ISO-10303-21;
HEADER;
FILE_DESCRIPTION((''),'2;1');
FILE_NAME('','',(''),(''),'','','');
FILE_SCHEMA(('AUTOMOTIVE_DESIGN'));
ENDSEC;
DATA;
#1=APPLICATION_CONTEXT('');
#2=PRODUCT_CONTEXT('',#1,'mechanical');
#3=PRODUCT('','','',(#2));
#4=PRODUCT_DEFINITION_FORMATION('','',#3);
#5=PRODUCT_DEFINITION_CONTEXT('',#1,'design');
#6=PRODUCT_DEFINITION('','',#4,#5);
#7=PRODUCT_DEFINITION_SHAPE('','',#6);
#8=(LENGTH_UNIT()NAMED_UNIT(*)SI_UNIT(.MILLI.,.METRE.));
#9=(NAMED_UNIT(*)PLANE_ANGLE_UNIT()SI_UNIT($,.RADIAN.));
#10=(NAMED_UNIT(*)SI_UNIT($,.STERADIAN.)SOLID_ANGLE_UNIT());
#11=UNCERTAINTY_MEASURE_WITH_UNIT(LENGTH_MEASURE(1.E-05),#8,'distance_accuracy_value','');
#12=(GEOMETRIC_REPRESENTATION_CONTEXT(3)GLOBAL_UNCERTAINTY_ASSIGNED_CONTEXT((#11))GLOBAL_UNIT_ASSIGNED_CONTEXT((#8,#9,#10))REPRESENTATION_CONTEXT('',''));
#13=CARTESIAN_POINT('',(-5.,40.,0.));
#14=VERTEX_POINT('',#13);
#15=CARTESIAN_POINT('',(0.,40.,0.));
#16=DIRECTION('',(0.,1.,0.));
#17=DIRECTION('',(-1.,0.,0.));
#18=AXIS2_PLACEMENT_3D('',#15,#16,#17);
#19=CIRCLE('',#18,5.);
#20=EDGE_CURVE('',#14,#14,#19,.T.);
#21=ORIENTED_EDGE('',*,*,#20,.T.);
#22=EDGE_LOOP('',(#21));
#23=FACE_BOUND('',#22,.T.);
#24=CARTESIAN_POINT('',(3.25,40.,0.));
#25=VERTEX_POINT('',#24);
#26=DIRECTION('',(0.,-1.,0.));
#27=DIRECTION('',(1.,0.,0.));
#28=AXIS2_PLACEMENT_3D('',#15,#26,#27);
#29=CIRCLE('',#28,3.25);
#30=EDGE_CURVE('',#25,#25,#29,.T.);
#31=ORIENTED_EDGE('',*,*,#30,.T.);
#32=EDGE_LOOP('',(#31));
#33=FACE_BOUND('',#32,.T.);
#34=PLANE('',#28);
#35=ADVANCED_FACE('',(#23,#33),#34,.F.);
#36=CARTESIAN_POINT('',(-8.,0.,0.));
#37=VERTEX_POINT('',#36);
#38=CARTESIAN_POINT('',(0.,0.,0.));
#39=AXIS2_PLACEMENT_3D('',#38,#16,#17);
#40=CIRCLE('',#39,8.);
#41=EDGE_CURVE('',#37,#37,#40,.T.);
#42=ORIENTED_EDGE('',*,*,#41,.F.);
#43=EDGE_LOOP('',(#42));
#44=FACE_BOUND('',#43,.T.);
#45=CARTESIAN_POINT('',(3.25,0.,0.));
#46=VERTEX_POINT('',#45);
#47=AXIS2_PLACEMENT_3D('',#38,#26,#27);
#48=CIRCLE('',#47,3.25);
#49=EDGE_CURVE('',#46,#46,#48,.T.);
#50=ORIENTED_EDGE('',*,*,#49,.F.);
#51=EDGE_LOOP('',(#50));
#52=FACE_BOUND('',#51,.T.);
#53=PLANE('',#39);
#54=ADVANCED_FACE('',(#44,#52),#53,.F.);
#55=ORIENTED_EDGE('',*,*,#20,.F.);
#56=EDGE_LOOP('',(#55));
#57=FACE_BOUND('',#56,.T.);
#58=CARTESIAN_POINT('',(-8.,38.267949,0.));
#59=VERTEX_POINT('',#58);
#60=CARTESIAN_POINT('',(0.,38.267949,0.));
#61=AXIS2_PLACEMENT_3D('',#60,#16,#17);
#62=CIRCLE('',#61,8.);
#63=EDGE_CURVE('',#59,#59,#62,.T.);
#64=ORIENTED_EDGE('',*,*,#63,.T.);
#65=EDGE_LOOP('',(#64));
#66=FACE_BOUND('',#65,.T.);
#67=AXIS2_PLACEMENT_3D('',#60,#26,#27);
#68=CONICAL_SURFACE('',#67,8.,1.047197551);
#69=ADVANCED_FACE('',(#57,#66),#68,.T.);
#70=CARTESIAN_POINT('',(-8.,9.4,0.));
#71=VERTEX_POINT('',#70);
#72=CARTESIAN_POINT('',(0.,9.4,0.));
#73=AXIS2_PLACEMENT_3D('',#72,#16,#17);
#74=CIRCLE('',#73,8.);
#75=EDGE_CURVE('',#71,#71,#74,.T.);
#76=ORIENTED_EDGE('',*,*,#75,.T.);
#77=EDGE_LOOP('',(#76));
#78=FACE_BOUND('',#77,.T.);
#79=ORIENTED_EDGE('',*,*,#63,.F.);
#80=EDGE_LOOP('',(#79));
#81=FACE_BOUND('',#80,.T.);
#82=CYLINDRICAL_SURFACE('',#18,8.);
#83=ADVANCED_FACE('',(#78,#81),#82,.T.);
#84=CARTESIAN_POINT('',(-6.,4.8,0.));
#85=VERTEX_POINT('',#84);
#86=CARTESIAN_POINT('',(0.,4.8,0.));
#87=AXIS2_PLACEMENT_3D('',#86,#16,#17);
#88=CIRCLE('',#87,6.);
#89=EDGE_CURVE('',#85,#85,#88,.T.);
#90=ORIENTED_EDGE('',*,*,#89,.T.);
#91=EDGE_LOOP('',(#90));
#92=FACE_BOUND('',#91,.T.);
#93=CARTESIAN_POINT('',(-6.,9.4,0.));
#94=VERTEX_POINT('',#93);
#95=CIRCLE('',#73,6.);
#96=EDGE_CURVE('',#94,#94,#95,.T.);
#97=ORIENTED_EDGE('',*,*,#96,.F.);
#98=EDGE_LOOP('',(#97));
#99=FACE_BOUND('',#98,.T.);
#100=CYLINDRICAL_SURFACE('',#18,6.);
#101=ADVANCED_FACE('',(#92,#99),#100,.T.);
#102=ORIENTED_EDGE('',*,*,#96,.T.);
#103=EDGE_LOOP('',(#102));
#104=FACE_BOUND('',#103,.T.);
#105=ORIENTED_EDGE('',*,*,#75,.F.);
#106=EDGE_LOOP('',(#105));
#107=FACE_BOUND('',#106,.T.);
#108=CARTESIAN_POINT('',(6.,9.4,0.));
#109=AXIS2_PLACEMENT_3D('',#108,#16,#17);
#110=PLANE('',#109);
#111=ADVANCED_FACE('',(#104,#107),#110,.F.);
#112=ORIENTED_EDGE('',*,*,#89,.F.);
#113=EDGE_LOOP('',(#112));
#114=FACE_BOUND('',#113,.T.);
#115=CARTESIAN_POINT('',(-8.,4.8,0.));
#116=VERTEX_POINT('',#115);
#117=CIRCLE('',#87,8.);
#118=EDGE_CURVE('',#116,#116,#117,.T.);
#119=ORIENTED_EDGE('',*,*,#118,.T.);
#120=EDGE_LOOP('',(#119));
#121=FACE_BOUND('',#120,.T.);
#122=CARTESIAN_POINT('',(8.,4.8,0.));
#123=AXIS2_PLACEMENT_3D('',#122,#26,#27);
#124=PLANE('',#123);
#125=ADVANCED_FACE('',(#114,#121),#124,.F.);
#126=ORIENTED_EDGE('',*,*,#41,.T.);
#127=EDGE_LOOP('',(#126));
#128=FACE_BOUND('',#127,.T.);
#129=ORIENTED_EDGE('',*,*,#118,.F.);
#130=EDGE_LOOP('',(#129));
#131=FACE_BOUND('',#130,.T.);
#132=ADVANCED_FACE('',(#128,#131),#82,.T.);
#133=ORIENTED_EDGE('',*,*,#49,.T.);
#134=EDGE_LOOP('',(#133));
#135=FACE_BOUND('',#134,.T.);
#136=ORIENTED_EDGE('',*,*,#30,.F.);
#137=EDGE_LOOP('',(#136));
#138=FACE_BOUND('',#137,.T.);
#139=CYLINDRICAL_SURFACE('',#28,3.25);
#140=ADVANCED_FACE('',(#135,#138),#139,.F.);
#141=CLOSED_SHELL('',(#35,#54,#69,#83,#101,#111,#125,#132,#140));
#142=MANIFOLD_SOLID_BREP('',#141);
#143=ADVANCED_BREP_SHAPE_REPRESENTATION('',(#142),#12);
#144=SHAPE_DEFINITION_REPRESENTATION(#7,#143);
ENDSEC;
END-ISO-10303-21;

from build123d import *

# Parameters (mm, degrees)
SKETCH3_R          = 3.25
CUT_EXTRUDE1_DEPTH = 41


with BuildPart() as part:
    # Sketch2 → Revolve1 (revolve)
    with BuildSketch(Plane.XY):
        Polygon((0, 0), (8, 0), (8, 4.8), (6, 4.8), (6, 9.4), (8, 9.4), (8, 38.267949192), (5, 40), (0, 40), align=None)
    revolve(axis=Axis((0, 40, 0), (0, -1, 0)))

    # Sketch3 → Cut-Extrude1 (cut, through all)
    with BuildSketch(Plane.XZ):
        Circle(SKETCH3_R)
    extrude(amount=-CUT_EXTRUDE1_DEPTH, mode=Mode.SUBTRACT)


solid = part.part
